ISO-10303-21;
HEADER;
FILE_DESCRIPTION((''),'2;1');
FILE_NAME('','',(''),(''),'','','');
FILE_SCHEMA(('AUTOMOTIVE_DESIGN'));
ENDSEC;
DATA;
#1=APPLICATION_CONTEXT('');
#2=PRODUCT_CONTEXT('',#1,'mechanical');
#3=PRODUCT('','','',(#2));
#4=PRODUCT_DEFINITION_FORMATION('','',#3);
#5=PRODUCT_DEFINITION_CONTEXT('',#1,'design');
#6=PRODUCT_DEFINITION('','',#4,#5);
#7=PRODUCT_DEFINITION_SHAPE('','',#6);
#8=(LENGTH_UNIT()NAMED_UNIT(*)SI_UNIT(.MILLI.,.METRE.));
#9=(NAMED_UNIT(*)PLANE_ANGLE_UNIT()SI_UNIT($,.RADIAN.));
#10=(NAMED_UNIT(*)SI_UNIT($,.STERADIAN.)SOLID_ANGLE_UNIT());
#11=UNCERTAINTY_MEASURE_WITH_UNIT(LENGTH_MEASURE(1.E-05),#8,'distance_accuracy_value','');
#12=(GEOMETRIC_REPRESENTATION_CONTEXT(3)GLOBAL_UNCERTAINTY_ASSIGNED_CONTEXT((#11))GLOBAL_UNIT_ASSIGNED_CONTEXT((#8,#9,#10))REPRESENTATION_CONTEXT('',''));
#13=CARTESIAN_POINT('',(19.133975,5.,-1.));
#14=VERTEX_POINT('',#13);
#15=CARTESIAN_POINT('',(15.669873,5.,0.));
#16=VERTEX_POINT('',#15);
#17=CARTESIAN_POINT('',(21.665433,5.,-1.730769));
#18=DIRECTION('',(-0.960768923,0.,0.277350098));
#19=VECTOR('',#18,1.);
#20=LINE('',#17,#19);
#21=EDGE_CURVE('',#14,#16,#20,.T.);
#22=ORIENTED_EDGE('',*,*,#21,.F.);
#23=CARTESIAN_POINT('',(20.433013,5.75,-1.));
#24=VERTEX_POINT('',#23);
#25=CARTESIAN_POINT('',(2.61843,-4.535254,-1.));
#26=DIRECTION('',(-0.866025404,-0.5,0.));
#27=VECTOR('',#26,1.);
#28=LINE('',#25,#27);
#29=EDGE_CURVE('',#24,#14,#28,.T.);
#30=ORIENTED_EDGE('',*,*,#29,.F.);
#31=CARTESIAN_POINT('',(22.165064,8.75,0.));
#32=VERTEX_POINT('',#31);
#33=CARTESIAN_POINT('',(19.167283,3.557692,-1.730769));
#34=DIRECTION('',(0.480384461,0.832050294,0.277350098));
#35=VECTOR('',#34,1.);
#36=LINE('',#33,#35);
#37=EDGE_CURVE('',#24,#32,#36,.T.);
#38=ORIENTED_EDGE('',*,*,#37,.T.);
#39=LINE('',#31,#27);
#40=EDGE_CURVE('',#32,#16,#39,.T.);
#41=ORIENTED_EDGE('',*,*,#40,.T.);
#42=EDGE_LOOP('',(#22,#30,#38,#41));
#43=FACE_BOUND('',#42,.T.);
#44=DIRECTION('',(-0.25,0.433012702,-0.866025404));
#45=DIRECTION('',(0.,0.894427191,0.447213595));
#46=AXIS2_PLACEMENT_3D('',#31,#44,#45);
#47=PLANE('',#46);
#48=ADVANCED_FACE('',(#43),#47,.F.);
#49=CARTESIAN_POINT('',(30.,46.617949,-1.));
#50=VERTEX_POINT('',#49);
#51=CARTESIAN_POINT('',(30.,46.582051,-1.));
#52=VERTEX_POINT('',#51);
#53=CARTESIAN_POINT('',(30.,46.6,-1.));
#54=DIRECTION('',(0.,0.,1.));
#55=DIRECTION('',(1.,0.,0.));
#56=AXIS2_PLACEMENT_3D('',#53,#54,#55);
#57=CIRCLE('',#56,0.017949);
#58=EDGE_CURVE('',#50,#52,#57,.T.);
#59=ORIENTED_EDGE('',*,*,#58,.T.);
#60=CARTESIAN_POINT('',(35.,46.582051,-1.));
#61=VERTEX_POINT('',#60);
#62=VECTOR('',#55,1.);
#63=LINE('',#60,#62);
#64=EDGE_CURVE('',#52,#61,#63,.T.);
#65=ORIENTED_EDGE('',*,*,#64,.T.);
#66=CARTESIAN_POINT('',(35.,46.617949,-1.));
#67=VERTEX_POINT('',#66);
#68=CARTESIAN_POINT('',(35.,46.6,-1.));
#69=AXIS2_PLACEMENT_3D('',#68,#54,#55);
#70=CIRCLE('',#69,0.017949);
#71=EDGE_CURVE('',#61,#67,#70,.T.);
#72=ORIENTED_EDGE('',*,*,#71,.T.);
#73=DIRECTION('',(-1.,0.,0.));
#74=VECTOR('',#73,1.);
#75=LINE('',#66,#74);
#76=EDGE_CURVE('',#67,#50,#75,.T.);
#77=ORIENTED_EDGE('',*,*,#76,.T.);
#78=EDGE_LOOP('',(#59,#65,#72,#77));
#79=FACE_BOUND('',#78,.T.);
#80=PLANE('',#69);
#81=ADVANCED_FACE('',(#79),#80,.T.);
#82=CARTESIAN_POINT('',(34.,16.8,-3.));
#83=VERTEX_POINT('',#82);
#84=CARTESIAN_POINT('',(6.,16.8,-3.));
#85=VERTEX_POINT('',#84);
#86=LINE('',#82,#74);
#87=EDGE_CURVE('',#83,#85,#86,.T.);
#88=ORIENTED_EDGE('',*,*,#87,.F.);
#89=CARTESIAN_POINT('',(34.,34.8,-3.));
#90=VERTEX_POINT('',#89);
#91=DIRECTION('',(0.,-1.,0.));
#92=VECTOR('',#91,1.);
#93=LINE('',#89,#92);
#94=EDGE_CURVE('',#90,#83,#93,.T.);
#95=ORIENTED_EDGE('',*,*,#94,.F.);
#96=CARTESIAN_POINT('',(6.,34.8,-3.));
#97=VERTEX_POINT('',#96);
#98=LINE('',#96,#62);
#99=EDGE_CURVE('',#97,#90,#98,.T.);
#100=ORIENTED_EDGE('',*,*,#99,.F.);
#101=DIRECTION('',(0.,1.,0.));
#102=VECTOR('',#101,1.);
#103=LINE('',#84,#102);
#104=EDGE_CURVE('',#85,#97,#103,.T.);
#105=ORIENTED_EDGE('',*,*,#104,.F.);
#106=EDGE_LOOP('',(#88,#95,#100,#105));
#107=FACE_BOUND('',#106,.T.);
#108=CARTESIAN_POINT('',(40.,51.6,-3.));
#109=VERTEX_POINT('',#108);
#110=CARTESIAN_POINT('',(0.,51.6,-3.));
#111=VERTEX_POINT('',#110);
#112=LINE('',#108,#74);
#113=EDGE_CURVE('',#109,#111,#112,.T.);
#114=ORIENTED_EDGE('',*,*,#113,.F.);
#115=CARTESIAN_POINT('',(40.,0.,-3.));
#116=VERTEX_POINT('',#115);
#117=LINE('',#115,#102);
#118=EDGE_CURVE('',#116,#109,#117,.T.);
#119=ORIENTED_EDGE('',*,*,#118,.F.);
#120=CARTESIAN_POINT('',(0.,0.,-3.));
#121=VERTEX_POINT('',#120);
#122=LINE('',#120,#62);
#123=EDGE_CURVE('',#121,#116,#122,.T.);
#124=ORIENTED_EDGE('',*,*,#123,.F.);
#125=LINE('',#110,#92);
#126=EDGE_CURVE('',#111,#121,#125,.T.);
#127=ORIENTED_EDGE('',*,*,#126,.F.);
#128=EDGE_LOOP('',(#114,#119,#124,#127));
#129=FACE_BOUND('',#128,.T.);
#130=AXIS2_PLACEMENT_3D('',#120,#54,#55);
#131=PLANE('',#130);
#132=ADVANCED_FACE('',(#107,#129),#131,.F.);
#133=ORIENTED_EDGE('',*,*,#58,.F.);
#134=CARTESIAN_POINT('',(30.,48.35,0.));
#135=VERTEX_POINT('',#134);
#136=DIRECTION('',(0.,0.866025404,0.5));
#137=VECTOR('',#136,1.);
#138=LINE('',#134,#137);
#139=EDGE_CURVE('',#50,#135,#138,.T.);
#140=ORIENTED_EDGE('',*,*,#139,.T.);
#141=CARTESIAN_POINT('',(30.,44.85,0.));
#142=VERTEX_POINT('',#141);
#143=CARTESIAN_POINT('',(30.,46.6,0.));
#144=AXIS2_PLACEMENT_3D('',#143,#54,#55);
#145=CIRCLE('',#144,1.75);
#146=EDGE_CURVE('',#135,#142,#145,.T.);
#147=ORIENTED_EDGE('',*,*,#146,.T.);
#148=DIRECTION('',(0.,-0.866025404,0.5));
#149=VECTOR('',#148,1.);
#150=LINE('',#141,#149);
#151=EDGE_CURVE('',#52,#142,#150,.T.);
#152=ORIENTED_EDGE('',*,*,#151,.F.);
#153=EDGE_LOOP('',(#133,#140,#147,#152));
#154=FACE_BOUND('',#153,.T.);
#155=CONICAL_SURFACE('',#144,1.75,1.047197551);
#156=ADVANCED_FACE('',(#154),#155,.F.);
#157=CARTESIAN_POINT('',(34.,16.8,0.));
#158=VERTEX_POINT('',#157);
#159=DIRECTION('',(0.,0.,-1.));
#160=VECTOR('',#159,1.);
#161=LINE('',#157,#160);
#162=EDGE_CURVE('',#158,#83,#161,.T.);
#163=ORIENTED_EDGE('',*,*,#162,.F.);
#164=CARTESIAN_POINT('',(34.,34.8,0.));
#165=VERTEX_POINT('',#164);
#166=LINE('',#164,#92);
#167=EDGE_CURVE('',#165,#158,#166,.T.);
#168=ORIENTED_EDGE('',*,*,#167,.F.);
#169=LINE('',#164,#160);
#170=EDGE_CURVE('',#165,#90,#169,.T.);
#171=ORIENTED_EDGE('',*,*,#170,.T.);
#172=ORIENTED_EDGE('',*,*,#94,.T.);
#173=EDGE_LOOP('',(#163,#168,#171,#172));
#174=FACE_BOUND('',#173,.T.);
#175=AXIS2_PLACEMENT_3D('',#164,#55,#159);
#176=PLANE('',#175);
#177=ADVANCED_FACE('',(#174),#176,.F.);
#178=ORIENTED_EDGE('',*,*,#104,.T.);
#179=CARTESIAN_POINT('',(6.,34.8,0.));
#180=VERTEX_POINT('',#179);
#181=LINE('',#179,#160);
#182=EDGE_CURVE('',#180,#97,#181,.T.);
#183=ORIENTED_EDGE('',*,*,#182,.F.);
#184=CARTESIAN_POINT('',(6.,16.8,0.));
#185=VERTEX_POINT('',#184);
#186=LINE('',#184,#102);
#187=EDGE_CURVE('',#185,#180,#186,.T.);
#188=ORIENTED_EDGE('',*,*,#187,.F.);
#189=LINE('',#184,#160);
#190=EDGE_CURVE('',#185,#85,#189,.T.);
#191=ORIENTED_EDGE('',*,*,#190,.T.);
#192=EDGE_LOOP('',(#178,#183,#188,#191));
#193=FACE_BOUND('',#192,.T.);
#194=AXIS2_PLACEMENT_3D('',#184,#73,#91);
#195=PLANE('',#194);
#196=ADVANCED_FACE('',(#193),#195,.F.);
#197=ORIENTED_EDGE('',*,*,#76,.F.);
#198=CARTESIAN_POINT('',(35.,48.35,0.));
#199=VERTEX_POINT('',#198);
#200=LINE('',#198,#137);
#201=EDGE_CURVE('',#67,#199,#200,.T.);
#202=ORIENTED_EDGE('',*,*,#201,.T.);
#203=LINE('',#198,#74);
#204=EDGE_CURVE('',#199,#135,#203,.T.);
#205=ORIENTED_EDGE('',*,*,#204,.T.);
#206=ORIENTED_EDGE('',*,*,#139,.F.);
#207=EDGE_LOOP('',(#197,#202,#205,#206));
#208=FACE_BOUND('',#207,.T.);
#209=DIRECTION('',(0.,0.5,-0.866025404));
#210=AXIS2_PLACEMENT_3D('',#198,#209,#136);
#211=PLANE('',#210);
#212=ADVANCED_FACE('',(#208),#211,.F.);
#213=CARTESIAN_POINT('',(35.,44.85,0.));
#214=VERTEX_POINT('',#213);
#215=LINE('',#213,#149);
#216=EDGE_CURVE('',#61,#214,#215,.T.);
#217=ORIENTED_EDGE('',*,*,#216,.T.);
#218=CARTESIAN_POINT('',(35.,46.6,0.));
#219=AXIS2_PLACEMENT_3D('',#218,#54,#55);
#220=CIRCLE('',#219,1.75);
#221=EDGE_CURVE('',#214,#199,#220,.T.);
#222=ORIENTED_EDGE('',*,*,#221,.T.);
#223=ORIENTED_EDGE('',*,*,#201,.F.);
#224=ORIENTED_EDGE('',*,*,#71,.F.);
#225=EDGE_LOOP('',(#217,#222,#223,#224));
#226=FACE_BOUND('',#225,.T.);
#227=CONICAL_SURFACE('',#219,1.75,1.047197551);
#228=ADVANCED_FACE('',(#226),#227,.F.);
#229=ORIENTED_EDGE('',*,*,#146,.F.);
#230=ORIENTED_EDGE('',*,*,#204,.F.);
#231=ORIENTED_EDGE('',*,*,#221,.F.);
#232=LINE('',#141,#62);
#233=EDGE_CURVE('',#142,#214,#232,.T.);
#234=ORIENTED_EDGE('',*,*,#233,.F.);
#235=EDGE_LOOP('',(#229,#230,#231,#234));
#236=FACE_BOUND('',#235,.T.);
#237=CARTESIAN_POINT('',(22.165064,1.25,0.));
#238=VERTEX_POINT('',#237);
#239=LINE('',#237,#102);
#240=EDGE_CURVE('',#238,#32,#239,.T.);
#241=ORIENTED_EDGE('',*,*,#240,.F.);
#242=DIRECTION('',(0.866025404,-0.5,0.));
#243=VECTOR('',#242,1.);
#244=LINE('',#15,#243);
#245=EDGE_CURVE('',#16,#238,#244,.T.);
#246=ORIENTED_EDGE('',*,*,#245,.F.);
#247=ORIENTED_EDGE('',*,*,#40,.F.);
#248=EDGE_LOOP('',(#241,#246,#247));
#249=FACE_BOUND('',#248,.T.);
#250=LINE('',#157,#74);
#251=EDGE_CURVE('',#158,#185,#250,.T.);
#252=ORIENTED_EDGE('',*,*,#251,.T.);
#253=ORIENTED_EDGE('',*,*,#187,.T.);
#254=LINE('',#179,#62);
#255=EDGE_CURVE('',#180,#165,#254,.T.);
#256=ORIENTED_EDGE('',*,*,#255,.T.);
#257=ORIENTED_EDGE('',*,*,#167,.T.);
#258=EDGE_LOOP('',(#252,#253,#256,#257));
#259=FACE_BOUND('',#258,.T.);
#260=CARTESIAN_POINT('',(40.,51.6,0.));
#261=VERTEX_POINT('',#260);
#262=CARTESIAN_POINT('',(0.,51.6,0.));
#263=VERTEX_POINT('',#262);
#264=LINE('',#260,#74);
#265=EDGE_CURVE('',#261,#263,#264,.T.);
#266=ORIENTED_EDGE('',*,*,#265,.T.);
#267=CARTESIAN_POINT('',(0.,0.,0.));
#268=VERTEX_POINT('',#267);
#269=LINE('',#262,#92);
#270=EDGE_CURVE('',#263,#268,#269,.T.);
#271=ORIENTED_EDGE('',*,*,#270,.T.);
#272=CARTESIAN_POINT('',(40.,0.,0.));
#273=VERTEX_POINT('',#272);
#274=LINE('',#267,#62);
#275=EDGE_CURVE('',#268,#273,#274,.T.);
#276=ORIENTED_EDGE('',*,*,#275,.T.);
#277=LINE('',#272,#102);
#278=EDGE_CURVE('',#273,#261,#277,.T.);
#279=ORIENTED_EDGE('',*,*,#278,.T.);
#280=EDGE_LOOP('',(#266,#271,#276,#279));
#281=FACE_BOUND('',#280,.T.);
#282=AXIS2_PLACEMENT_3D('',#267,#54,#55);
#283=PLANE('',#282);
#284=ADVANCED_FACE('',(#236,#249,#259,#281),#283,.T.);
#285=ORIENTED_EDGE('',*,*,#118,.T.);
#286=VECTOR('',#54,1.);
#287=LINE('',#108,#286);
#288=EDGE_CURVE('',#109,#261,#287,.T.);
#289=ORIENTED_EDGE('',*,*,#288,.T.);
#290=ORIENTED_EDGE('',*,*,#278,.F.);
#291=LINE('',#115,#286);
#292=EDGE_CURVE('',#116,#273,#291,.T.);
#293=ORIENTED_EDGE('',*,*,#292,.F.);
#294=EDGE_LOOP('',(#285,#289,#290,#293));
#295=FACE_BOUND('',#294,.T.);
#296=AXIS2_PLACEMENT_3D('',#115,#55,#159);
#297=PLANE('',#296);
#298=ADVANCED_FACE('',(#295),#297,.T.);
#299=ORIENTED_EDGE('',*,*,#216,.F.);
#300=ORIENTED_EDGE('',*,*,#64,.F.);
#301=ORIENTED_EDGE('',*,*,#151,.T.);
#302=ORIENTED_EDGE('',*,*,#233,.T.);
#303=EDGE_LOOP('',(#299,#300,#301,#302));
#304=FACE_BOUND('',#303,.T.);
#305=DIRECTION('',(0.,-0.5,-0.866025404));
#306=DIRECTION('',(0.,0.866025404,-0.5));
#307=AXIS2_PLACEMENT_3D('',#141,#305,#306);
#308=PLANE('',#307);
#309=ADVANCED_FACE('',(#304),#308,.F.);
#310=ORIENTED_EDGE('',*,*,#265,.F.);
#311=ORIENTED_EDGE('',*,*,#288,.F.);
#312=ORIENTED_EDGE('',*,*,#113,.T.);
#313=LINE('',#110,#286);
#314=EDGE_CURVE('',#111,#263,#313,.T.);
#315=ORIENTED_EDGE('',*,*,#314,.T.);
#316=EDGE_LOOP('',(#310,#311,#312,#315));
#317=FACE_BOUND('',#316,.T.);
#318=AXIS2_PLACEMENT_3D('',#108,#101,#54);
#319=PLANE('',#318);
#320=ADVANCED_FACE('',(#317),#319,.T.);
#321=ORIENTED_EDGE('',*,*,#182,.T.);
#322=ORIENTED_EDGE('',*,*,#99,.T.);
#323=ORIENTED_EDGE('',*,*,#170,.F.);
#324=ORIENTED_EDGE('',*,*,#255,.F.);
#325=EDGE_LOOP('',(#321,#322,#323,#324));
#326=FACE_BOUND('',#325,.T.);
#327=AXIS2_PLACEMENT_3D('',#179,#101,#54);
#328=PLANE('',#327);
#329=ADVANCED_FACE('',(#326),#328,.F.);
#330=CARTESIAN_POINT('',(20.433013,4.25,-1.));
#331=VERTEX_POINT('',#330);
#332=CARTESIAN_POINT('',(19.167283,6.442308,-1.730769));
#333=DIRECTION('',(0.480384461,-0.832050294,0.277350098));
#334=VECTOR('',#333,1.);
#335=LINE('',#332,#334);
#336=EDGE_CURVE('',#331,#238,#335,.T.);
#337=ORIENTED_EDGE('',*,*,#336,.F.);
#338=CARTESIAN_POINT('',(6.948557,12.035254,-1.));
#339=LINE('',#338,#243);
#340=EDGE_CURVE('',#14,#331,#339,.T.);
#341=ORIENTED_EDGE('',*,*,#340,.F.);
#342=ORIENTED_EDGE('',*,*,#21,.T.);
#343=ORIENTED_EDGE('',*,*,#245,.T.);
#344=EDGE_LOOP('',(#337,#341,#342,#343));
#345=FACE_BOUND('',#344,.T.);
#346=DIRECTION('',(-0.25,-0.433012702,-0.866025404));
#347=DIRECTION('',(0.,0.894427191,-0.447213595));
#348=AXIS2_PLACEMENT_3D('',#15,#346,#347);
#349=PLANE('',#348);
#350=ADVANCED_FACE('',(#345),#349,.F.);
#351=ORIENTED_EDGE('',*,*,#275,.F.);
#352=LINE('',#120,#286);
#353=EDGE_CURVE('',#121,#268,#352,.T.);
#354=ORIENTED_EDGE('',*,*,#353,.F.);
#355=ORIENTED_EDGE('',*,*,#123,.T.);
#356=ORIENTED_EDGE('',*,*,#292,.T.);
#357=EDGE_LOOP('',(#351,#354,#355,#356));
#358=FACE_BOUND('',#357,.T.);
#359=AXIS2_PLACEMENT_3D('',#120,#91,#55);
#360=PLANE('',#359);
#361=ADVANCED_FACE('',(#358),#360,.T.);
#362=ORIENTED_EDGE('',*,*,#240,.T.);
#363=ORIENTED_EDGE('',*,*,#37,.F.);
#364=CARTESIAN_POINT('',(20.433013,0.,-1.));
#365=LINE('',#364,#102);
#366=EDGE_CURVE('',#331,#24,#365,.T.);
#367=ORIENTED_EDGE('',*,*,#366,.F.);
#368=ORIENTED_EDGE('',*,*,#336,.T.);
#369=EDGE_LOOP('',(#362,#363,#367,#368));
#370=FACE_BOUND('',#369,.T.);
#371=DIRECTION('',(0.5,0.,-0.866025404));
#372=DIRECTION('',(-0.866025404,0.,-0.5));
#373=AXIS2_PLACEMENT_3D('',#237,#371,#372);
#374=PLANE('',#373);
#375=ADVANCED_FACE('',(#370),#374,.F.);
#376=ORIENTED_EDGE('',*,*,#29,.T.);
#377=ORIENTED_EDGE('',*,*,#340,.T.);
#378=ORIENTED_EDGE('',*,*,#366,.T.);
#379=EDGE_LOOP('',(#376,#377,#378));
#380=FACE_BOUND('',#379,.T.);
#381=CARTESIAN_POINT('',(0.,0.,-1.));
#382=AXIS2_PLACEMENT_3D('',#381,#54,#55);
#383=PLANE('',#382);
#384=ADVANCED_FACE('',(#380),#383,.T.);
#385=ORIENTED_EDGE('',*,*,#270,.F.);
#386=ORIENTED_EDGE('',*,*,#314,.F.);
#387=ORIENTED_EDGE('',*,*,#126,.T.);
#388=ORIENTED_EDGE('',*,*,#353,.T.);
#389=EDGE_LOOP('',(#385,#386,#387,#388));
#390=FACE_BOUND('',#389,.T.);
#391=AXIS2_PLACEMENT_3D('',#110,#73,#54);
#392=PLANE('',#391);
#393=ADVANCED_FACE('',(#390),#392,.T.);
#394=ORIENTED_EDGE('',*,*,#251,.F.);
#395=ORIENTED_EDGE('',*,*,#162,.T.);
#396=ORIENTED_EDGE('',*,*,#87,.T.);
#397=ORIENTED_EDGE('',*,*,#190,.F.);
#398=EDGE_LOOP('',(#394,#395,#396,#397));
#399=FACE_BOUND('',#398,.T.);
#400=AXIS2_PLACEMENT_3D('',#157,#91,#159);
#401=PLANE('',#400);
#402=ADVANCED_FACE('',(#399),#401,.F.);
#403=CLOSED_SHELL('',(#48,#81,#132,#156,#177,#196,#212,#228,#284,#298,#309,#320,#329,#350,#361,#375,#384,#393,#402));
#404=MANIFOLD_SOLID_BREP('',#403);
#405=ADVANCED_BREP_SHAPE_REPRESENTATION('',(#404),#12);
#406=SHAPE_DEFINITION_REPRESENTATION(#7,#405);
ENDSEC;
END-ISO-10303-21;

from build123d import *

# Parameters (mm, degrees)
SKETCH1_W           = 40
SKETCH1_H           = 51.6
BOSS_EXTRUDE1_DEPTH = 3
SKETCH2_W           = 28
SKETCH2_H           = 18
CUT_EXTRUDE1_DEPTH  = 66.357172521
CUT_EXTRUDE2_DEPTH  = 1
CUT_EXTRUDE2_DRAFT  = -60
CUT_EXTRUDE3_DEPTH  = 1
CUT_EXTRUDE3_DRAFT  = -60


with BuildPart() as part:
    # Sketch1 → Boss-Extrude1 (new body)
    with BuildSketch(Plane.XY):
        with Locations((20, 25.8)):
            Rectangle(SKETCH1_W, SKETCH1_H)
    extrude(amount=-BOSS_EXTRUDE1_DEPTH)

    # Sketch2 → Cut-Extrude1 (cut, through all)
    with BuildSketch(Plane(origin=(0, 0, -3), x_dir=(-1, 0, 0), z_dir=(0, 0, -1))):
        with Locations((-20, 25.8)):
            Rectangle(SKETCH2_W, SKETCH2_H)
    extrude(amount=-CUT_EXTRUDE1_DEPTH, mode=Mode.SUBTRACT)


with BuildPart() as cut_extrude2_tool:
    # Sketch3 → Cut-Extrude2 (with draft: the straight prism first)
    with BuildSketch(Plane.XY):
        with BuildLine():
            Line((35, 48.35), (30, 48.35))
            ThreePointArc((30, 48.35), (28.25, 46.6), (30, 44.85))
            Line((30, 44.85), (35, 44.85))
            ThreePointArc((35, 44.85), (36.75, 46.6), (35, 48.35))
        make_face()
    extrude(amount=-CUT_EXTRUDE2_DEPTH)
    # Cut-Extrude2: the draft: its side faces are tilted about the plane it starts from
    cut_extrude2_sides = [cut_extrude2_tool.faces().sort_by_distance(p)[0] for p in [
        (32.5, 48.35, -0.5),
        (28.25, 46.6, -0.5),
        (32.5, 44.85, -0.5),
        (36.75, 46.6, -0.5),
    ]]
    draft(cut_extrude2_sides, Plane.XY, CUT_EXTRUDE2_DRAFT)


with BuildPart() as part_1:
    add(part.part)

    # Cut-Extrude2: cut by cut_extrude2_tool
    add(cut_extrude2_tool.part, mode=Mode.SUBTRACT)


with BuildPart() as cut_extrude3_tool:
    # Sketch4 → Cut-Extrude3 (with draft: the straight prism first)
    with BuildSketch(Plane.XY):
        Polygon((15.669872981, 5), (22.165063509, 1.25), (22.165063509, 8.75), align=None)
    extrude(amount=-CUT_EXTRUDE3_DEPTH)
    # Cut-Extrude3: the draft: its side faces are tilted about the plane it starts from
    cut_extrude3_sides = [cut_extrude3_tool.faces().sort_by_distance(p)[0] for p in [
        (18.917468245, 3.125, -0.5),
        (22.165063509, 5, -0.5),
        (18.917468245, 6.875, -0.5),
    ]]
    draft(cut_extrude3_sides, Plane.XY, CUT_EXTRUDE3_DRAFT)


with BuildPart() as part_2:
    add(part_1.part)

    # Cut-Extrude3: cut by cut_extrude3_tool
    add(cut_extrude3_tool.part, mode=Mode.SUBTRACT)


solid = part_2.part
